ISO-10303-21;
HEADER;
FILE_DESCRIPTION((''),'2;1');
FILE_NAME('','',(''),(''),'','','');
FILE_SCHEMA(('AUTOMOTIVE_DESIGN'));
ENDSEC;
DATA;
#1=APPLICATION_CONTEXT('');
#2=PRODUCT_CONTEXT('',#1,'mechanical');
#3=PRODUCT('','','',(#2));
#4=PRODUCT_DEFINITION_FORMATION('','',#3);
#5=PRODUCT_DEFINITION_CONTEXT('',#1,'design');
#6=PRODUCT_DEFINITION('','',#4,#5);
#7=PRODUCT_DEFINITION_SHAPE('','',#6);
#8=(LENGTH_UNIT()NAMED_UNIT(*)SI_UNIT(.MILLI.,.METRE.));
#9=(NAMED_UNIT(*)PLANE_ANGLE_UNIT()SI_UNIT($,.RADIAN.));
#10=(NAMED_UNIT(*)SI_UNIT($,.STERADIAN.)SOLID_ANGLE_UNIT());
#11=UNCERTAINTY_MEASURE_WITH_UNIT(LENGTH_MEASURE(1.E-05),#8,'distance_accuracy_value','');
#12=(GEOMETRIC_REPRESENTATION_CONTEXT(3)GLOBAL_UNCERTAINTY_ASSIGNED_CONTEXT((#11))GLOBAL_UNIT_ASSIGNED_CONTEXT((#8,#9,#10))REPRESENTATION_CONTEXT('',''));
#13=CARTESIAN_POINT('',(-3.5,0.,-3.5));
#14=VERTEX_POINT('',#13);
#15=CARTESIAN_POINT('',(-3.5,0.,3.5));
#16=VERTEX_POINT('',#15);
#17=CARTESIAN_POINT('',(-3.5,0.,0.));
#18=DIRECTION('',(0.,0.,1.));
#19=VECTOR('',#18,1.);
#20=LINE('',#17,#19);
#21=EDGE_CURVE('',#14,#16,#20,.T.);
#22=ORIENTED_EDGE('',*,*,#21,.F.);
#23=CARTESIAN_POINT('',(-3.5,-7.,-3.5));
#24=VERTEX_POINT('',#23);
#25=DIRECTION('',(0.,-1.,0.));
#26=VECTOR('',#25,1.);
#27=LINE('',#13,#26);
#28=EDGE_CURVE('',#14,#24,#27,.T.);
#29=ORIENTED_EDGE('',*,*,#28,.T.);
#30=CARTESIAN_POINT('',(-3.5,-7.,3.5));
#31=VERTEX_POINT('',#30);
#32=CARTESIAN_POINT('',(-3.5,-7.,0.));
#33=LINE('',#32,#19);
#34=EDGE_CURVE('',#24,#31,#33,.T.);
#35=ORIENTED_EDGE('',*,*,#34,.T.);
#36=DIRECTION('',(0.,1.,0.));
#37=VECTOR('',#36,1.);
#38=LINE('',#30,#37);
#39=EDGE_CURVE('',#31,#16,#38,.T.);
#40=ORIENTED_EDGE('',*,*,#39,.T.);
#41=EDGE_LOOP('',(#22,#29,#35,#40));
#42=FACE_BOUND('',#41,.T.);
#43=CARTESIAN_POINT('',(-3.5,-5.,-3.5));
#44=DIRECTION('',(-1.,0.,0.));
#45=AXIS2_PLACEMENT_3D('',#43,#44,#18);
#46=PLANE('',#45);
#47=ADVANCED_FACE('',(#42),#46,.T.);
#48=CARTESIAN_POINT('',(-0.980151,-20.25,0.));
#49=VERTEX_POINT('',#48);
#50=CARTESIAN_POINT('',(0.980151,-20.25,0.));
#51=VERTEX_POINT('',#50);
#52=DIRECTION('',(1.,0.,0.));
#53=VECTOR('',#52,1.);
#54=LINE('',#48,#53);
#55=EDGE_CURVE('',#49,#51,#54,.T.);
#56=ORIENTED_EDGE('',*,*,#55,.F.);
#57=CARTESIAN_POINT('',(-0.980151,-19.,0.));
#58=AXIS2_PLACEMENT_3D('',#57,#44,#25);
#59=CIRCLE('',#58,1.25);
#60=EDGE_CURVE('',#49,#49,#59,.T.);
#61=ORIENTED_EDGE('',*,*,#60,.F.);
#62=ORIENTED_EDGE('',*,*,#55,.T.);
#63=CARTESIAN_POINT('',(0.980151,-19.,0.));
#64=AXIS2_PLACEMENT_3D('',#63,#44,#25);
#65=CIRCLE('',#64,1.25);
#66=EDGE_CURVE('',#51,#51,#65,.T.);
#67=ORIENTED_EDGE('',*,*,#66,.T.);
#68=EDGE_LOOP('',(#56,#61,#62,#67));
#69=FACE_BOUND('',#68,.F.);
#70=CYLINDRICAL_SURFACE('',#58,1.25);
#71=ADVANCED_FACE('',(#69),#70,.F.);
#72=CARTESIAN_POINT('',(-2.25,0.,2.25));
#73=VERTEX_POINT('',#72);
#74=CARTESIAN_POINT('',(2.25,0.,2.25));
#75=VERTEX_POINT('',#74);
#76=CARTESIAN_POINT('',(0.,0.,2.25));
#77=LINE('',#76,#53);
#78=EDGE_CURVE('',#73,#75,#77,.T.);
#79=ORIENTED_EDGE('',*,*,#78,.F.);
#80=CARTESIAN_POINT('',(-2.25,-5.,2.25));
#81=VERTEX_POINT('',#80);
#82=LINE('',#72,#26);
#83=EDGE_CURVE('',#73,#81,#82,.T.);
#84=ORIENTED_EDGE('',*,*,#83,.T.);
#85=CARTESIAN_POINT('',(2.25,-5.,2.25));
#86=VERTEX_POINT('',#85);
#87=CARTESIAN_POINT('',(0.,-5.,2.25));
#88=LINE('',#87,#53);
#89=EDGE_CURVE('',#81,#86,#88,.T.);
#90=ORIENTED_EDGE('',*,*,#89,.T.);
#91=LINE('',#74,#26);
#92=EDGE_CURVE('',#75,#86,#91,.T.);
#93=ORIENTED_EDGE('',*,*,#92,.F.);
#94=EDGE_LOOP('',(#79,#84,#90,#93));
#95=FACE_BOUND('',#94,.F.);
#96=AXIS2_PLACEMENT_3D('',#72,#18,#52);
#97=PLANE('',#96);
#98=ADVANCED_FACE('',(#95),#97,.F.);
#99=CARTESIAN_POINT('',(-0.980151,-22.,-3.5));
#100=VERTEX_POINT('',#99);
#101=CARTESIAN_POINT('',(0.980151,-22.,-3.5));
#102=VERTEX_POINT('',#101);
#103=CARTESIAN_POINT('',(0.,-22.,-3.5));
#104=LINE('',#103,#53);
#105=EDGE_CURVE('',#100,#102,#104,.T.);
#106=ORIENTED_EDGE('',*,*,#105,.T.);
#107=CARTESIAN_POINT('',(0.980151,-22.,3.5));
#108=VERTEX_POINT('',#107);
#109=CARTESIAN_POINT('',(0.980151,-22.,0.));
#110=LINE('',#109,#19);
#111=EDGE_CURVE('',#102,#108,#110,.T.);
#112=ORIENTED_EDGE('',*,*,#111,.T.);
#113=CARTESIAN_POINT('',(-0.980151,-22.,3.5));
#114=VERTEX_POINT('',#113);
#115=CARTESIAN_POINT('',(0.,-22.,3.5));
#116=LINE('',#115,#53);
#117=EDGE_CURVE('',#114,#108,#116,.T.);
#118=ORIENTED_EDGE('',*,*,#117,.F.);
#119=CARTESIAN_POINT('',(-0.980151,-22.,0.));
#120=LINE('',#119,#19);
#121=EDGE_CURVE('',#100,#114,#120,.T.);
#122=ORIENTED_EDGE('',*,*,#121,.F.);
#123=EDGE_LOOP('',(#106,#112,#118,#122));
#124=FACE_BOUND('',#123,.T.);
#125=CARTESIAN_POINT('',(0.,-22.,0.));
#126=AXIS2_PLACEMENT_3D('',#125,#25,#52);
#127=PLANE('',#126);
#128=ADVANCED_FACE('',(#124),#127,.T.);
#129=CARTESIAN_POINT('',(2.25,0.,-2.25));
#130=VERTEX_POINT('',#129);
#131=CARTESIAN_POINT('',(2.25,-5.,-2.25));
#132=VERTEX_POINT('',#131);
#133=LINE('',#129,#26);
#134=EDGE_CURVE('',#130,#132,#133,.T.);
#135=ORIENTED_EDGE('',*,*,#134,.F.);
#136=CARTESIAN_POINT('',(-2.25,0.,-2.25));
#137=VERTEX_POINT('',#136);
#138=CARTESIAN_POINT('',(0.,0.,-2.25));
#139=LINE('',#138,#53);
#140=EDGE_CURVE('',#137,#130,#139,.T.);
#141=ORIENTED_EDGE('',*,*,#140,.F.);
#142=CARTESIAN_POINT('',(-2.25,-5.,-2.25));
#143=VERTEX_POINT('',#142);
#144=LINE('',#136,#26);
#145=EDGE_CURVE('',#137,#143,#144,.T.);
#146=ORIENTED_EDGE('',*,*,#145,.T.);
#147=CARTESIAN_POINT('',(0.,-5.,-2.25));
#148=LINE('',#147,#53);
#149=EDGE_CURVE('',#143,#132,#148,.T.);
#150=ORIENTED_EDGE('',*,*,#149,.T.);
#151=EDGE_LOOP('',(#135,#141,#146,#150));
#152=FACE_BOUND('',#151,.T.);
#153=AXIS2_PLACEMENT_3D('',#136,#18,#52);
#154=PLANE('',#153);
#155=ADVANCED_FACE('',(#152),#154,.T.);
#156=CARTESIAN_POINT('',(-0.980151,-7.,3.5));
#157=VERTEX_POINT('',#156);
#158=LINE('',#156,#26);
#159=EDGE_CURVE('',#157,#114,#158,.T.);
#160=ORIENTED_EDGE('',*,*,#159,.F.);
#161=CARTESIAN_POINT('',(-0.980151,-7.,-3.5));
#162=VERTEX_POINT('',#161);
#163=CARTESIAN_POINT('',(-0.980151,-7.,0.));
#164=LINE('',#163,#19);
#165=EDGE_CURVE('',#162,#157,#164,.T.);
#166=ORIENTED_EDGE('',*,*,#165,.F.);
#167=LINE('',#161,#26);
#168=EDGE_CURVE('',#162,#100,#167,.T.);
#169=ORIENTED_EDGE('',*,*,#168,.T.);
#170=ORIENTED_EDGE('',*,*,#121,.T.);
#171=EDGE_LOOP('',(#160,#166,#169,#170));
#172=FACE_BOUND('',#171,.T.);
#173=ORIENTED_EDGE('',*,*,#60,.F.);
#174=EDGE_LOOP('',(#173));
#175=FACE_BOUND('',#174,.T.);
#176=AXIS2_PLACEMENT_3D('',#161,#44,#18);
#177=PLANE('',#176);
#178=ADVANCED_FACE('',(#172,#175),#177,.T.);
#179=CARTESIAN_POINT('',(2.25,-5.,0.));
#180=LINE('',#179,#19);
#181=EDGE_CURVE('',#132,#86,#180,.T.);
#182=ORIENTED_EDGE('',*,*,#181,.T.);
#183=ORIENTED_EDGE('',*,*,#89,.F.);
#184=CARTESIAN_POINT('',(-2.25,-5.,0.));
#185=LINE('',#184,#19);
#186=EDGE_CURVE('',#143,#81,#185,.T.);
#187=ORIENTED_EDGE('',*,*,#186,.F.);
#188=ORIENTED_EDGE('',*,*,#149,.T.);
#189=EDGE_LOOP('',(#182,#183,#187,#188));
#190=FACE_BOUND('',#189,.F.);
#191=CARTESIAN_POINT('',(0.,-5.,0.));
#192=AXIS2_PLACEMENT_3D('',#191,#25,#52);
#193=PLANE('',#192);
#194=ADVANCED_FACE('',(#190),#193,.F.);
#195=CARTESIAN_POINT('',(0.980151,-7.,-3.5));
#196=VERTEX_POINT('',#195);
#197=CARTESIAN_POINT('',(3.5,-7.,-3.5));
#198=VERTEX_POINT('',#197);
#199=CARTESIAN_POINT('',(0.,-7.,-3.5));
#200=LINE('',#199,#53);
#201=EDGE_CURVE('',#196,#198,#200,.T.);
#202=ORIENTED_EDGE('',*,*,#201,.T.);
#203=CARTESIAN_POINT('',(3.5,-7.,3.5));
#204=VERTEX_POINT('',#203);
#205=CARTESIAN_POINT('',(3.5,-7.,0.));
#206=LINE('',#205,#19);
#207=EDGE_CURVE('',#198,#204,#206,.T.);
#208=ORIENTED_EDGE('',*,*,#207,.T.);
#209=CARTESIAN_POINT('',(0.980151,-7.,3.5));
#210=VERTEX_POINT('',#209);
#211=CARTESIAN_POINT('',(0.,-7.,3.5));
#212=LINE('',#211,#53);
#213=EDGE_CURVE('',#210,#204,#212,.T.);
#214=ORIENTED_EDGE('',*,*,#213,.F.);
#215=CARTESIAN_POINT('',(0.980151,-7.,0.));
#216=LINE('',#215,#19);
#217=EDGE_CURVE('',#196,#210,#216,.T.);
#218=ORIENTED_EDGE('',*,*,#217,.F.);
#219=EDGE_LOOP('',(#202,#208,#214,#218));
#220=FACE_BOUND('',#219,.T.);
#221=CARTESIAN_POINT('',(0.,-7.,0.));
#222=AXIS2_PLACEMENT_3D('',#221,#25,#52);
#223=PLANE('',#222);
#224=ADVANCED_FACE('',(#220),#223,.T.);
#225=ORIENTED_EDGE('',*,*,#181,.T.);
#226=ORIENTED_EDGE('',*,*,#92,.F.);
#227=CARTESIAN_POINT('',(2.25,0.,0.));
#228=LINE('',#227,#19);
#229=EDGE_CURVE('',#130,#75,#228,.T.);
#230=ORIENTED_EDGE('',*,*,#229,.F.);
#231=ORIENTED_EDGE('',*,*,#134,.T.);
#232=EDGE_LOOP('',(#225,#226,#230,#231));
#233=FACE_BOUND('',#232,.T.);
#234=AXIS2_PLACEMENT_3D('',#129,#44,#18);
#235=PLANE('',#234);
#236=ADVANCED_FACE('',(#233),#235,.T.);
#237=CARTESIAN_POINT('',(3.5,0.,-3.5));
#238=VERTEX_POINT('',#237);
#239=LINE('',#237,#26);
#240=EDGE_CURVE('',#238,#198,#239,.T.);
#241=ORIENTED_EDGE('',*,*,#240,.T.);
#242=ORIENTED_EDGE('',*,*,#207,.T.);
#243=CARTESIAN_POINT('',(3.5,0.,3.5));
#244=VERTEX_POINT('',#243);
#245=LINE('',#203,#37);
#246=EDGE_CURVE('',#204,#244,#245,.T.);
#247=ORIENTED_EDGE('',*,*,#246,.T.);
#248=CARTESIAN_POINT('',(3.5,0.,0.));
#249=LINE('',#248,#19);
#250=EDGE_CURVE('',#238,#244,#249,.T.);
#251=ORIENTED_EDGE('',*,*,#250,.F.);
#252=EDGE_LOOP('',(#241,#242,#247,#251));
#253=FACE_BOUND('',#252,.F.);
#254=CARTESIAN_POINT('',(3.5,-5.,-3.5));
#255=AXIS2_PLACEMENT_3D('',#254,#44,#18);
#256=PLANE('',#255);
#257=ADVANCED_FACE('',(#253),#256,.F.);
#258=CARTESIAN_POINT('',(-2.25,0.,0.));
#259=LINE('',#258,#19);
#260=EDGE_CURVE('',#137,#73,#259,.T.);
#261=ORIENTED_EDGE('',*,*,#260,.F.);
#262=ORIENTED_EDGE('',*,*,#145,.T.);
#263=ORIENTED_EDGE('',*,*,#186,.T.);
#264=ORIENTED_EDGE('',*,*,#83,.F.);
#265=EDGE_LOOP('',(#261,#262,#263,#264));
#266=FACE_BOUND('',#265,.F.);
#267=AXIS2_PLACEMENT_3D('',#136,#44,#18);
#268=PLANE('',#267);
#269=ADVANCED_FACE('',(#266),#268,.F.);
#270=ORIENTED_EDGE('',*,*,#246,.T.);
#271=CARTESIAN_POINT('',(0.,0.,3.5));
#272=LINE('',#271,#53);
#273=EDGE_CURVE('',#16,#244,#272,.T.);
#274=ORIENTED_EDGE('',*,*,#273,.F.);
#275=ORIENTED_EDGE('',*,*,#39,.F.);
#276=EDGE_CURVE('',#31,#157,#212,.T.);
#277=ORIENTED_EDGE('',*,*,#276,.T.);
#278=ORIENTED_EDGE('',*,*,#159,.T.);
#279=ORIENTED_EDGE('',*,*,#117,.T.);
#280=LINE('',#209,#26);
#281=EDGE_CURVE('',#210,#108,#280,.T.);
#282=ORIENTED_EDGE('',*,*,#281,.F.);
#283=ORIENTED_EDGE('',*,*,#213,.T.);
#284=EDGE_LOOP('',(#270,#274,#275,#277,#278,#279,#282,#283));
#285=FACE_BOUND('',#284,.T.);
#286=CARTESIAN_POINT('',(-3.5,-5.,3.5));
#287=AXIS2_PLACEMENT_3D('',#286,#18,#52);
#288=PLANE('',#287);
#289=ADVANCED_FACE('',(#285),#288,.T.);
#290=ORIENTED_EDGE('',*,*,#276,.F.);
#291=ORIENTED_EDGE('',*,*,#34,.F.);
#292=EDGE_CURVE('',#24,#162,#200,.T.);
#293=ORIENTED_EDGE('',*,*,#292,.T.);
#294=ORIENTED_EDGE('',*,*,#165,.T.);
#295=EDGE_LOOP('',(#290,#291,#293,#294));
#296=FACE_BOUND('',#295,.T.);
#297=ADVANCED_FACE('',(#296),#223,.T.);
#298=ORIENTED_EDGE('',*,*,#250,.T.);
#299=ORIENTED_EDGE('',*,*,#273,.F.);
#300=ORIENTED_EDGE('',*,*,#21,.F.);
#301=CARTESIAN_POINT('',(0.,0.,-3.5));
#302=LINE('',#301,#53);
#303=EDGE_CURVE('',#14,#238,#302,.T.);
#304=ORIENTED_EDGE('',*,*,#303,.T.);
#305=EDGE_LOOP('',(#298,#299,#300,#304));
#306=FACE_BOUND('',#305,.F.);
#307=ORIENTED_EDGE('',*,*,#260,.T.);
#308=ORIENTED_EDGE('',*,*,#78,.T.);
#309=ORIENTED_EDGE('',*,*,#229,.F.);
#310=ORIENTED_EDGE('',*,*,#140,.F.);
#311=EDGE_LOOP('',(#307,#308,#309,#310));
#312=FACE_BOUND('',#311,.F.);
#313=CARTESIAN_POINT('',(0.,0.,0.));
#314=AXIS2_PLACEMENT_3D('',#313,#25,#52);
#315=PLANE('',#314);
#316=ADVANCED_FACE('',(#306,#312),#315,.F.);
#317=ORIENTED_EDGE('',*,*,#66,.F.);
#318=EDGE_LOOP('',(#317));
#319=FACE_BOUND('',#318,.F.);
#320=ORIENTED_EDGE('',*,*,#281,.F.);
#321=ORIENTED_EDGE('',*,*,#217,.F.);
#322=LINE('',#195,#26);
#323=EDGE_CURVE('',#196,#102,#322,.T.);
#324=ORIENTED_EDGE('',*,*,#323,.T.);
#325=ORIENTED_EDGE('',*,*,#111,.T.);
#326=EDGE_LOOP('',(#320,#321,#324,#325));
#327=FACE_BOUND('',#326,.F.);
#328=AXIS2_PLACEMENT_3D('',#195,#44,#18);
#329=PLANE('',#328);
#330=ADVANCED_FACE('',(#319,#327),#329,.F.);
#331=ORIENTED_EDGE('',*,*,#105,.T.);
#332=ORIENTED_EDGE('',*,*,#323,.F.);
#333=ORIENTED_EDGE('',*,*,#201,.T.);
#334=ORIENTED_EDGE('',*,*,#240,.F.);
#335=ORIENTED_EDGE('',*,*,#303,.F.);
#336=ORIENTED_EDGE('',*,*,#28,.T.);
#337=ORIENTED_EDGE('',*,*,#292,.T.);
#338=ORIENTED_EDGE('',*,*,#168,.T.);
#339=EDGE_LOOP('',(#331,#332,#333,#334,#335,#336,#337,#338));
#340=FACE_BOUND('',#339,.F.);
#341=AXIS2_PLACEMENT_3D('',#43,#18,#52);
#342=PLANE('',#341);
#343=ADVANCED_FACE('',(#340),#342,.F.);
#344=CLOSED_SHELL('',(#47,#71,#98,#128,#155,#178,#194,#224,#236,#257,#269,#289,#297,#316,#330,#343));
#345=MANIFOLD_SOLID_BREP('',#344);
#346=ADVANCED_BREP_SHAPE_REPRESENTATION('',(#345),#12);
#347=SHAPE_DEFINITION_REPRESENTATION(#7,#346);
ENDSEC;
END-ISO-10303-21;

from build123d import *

# Parameters (mm, degrees)
F0_W     = 7
F0_H     = 7
F0_W_2   = 4.5
F0_H_2   = 4.5
F1_DEPTH = 5
F2_W     = 7
F2_H     = 7
F3_DEPTH = 2
F4_W     = 1.960302
F4_H     = 7
F5_DEPTH = 15
F6_R     = 1.25
F7_DEPTH = 25


with BuildPart() as f1:
    # F0 (on Front) → F1 (new body)
    with BuildSketch(Plane.XZ):
        Rectangle(F0_W, F0_H)
        Rectangle(F0_W_2, F0_H_2, mode=Mode.SUBTRACT)
    extrude(amount=F1_DEPTH)

    # F2 (on face) → F3 (join)
    with BuildSketch(Plane.XZ.offset(5)):
        Rectangle(F2_W, F2_H)
    extrude(amount=F3_DEPTH)

    # F4 (on face) → F5 (join)
    with BuildSketch(Plane.XZ.offset(7)):
        Rectangle(F4_W, F4_H)
    extrude(amount=F5_DEPTH)

    # F6 (on face) → F7 (cut)
    with BuildSketch(Plane(origin=(-0.980151, 0, 0), x_dir=(0, -1, 0), z_dir=(-1, 0, 0))):
        with Locations((19, 0)):
            Circle(F6_R)
    extrude(amount=-F7_DEPTH, mode=Mode.SUBTRACT)


solid = f1.part
